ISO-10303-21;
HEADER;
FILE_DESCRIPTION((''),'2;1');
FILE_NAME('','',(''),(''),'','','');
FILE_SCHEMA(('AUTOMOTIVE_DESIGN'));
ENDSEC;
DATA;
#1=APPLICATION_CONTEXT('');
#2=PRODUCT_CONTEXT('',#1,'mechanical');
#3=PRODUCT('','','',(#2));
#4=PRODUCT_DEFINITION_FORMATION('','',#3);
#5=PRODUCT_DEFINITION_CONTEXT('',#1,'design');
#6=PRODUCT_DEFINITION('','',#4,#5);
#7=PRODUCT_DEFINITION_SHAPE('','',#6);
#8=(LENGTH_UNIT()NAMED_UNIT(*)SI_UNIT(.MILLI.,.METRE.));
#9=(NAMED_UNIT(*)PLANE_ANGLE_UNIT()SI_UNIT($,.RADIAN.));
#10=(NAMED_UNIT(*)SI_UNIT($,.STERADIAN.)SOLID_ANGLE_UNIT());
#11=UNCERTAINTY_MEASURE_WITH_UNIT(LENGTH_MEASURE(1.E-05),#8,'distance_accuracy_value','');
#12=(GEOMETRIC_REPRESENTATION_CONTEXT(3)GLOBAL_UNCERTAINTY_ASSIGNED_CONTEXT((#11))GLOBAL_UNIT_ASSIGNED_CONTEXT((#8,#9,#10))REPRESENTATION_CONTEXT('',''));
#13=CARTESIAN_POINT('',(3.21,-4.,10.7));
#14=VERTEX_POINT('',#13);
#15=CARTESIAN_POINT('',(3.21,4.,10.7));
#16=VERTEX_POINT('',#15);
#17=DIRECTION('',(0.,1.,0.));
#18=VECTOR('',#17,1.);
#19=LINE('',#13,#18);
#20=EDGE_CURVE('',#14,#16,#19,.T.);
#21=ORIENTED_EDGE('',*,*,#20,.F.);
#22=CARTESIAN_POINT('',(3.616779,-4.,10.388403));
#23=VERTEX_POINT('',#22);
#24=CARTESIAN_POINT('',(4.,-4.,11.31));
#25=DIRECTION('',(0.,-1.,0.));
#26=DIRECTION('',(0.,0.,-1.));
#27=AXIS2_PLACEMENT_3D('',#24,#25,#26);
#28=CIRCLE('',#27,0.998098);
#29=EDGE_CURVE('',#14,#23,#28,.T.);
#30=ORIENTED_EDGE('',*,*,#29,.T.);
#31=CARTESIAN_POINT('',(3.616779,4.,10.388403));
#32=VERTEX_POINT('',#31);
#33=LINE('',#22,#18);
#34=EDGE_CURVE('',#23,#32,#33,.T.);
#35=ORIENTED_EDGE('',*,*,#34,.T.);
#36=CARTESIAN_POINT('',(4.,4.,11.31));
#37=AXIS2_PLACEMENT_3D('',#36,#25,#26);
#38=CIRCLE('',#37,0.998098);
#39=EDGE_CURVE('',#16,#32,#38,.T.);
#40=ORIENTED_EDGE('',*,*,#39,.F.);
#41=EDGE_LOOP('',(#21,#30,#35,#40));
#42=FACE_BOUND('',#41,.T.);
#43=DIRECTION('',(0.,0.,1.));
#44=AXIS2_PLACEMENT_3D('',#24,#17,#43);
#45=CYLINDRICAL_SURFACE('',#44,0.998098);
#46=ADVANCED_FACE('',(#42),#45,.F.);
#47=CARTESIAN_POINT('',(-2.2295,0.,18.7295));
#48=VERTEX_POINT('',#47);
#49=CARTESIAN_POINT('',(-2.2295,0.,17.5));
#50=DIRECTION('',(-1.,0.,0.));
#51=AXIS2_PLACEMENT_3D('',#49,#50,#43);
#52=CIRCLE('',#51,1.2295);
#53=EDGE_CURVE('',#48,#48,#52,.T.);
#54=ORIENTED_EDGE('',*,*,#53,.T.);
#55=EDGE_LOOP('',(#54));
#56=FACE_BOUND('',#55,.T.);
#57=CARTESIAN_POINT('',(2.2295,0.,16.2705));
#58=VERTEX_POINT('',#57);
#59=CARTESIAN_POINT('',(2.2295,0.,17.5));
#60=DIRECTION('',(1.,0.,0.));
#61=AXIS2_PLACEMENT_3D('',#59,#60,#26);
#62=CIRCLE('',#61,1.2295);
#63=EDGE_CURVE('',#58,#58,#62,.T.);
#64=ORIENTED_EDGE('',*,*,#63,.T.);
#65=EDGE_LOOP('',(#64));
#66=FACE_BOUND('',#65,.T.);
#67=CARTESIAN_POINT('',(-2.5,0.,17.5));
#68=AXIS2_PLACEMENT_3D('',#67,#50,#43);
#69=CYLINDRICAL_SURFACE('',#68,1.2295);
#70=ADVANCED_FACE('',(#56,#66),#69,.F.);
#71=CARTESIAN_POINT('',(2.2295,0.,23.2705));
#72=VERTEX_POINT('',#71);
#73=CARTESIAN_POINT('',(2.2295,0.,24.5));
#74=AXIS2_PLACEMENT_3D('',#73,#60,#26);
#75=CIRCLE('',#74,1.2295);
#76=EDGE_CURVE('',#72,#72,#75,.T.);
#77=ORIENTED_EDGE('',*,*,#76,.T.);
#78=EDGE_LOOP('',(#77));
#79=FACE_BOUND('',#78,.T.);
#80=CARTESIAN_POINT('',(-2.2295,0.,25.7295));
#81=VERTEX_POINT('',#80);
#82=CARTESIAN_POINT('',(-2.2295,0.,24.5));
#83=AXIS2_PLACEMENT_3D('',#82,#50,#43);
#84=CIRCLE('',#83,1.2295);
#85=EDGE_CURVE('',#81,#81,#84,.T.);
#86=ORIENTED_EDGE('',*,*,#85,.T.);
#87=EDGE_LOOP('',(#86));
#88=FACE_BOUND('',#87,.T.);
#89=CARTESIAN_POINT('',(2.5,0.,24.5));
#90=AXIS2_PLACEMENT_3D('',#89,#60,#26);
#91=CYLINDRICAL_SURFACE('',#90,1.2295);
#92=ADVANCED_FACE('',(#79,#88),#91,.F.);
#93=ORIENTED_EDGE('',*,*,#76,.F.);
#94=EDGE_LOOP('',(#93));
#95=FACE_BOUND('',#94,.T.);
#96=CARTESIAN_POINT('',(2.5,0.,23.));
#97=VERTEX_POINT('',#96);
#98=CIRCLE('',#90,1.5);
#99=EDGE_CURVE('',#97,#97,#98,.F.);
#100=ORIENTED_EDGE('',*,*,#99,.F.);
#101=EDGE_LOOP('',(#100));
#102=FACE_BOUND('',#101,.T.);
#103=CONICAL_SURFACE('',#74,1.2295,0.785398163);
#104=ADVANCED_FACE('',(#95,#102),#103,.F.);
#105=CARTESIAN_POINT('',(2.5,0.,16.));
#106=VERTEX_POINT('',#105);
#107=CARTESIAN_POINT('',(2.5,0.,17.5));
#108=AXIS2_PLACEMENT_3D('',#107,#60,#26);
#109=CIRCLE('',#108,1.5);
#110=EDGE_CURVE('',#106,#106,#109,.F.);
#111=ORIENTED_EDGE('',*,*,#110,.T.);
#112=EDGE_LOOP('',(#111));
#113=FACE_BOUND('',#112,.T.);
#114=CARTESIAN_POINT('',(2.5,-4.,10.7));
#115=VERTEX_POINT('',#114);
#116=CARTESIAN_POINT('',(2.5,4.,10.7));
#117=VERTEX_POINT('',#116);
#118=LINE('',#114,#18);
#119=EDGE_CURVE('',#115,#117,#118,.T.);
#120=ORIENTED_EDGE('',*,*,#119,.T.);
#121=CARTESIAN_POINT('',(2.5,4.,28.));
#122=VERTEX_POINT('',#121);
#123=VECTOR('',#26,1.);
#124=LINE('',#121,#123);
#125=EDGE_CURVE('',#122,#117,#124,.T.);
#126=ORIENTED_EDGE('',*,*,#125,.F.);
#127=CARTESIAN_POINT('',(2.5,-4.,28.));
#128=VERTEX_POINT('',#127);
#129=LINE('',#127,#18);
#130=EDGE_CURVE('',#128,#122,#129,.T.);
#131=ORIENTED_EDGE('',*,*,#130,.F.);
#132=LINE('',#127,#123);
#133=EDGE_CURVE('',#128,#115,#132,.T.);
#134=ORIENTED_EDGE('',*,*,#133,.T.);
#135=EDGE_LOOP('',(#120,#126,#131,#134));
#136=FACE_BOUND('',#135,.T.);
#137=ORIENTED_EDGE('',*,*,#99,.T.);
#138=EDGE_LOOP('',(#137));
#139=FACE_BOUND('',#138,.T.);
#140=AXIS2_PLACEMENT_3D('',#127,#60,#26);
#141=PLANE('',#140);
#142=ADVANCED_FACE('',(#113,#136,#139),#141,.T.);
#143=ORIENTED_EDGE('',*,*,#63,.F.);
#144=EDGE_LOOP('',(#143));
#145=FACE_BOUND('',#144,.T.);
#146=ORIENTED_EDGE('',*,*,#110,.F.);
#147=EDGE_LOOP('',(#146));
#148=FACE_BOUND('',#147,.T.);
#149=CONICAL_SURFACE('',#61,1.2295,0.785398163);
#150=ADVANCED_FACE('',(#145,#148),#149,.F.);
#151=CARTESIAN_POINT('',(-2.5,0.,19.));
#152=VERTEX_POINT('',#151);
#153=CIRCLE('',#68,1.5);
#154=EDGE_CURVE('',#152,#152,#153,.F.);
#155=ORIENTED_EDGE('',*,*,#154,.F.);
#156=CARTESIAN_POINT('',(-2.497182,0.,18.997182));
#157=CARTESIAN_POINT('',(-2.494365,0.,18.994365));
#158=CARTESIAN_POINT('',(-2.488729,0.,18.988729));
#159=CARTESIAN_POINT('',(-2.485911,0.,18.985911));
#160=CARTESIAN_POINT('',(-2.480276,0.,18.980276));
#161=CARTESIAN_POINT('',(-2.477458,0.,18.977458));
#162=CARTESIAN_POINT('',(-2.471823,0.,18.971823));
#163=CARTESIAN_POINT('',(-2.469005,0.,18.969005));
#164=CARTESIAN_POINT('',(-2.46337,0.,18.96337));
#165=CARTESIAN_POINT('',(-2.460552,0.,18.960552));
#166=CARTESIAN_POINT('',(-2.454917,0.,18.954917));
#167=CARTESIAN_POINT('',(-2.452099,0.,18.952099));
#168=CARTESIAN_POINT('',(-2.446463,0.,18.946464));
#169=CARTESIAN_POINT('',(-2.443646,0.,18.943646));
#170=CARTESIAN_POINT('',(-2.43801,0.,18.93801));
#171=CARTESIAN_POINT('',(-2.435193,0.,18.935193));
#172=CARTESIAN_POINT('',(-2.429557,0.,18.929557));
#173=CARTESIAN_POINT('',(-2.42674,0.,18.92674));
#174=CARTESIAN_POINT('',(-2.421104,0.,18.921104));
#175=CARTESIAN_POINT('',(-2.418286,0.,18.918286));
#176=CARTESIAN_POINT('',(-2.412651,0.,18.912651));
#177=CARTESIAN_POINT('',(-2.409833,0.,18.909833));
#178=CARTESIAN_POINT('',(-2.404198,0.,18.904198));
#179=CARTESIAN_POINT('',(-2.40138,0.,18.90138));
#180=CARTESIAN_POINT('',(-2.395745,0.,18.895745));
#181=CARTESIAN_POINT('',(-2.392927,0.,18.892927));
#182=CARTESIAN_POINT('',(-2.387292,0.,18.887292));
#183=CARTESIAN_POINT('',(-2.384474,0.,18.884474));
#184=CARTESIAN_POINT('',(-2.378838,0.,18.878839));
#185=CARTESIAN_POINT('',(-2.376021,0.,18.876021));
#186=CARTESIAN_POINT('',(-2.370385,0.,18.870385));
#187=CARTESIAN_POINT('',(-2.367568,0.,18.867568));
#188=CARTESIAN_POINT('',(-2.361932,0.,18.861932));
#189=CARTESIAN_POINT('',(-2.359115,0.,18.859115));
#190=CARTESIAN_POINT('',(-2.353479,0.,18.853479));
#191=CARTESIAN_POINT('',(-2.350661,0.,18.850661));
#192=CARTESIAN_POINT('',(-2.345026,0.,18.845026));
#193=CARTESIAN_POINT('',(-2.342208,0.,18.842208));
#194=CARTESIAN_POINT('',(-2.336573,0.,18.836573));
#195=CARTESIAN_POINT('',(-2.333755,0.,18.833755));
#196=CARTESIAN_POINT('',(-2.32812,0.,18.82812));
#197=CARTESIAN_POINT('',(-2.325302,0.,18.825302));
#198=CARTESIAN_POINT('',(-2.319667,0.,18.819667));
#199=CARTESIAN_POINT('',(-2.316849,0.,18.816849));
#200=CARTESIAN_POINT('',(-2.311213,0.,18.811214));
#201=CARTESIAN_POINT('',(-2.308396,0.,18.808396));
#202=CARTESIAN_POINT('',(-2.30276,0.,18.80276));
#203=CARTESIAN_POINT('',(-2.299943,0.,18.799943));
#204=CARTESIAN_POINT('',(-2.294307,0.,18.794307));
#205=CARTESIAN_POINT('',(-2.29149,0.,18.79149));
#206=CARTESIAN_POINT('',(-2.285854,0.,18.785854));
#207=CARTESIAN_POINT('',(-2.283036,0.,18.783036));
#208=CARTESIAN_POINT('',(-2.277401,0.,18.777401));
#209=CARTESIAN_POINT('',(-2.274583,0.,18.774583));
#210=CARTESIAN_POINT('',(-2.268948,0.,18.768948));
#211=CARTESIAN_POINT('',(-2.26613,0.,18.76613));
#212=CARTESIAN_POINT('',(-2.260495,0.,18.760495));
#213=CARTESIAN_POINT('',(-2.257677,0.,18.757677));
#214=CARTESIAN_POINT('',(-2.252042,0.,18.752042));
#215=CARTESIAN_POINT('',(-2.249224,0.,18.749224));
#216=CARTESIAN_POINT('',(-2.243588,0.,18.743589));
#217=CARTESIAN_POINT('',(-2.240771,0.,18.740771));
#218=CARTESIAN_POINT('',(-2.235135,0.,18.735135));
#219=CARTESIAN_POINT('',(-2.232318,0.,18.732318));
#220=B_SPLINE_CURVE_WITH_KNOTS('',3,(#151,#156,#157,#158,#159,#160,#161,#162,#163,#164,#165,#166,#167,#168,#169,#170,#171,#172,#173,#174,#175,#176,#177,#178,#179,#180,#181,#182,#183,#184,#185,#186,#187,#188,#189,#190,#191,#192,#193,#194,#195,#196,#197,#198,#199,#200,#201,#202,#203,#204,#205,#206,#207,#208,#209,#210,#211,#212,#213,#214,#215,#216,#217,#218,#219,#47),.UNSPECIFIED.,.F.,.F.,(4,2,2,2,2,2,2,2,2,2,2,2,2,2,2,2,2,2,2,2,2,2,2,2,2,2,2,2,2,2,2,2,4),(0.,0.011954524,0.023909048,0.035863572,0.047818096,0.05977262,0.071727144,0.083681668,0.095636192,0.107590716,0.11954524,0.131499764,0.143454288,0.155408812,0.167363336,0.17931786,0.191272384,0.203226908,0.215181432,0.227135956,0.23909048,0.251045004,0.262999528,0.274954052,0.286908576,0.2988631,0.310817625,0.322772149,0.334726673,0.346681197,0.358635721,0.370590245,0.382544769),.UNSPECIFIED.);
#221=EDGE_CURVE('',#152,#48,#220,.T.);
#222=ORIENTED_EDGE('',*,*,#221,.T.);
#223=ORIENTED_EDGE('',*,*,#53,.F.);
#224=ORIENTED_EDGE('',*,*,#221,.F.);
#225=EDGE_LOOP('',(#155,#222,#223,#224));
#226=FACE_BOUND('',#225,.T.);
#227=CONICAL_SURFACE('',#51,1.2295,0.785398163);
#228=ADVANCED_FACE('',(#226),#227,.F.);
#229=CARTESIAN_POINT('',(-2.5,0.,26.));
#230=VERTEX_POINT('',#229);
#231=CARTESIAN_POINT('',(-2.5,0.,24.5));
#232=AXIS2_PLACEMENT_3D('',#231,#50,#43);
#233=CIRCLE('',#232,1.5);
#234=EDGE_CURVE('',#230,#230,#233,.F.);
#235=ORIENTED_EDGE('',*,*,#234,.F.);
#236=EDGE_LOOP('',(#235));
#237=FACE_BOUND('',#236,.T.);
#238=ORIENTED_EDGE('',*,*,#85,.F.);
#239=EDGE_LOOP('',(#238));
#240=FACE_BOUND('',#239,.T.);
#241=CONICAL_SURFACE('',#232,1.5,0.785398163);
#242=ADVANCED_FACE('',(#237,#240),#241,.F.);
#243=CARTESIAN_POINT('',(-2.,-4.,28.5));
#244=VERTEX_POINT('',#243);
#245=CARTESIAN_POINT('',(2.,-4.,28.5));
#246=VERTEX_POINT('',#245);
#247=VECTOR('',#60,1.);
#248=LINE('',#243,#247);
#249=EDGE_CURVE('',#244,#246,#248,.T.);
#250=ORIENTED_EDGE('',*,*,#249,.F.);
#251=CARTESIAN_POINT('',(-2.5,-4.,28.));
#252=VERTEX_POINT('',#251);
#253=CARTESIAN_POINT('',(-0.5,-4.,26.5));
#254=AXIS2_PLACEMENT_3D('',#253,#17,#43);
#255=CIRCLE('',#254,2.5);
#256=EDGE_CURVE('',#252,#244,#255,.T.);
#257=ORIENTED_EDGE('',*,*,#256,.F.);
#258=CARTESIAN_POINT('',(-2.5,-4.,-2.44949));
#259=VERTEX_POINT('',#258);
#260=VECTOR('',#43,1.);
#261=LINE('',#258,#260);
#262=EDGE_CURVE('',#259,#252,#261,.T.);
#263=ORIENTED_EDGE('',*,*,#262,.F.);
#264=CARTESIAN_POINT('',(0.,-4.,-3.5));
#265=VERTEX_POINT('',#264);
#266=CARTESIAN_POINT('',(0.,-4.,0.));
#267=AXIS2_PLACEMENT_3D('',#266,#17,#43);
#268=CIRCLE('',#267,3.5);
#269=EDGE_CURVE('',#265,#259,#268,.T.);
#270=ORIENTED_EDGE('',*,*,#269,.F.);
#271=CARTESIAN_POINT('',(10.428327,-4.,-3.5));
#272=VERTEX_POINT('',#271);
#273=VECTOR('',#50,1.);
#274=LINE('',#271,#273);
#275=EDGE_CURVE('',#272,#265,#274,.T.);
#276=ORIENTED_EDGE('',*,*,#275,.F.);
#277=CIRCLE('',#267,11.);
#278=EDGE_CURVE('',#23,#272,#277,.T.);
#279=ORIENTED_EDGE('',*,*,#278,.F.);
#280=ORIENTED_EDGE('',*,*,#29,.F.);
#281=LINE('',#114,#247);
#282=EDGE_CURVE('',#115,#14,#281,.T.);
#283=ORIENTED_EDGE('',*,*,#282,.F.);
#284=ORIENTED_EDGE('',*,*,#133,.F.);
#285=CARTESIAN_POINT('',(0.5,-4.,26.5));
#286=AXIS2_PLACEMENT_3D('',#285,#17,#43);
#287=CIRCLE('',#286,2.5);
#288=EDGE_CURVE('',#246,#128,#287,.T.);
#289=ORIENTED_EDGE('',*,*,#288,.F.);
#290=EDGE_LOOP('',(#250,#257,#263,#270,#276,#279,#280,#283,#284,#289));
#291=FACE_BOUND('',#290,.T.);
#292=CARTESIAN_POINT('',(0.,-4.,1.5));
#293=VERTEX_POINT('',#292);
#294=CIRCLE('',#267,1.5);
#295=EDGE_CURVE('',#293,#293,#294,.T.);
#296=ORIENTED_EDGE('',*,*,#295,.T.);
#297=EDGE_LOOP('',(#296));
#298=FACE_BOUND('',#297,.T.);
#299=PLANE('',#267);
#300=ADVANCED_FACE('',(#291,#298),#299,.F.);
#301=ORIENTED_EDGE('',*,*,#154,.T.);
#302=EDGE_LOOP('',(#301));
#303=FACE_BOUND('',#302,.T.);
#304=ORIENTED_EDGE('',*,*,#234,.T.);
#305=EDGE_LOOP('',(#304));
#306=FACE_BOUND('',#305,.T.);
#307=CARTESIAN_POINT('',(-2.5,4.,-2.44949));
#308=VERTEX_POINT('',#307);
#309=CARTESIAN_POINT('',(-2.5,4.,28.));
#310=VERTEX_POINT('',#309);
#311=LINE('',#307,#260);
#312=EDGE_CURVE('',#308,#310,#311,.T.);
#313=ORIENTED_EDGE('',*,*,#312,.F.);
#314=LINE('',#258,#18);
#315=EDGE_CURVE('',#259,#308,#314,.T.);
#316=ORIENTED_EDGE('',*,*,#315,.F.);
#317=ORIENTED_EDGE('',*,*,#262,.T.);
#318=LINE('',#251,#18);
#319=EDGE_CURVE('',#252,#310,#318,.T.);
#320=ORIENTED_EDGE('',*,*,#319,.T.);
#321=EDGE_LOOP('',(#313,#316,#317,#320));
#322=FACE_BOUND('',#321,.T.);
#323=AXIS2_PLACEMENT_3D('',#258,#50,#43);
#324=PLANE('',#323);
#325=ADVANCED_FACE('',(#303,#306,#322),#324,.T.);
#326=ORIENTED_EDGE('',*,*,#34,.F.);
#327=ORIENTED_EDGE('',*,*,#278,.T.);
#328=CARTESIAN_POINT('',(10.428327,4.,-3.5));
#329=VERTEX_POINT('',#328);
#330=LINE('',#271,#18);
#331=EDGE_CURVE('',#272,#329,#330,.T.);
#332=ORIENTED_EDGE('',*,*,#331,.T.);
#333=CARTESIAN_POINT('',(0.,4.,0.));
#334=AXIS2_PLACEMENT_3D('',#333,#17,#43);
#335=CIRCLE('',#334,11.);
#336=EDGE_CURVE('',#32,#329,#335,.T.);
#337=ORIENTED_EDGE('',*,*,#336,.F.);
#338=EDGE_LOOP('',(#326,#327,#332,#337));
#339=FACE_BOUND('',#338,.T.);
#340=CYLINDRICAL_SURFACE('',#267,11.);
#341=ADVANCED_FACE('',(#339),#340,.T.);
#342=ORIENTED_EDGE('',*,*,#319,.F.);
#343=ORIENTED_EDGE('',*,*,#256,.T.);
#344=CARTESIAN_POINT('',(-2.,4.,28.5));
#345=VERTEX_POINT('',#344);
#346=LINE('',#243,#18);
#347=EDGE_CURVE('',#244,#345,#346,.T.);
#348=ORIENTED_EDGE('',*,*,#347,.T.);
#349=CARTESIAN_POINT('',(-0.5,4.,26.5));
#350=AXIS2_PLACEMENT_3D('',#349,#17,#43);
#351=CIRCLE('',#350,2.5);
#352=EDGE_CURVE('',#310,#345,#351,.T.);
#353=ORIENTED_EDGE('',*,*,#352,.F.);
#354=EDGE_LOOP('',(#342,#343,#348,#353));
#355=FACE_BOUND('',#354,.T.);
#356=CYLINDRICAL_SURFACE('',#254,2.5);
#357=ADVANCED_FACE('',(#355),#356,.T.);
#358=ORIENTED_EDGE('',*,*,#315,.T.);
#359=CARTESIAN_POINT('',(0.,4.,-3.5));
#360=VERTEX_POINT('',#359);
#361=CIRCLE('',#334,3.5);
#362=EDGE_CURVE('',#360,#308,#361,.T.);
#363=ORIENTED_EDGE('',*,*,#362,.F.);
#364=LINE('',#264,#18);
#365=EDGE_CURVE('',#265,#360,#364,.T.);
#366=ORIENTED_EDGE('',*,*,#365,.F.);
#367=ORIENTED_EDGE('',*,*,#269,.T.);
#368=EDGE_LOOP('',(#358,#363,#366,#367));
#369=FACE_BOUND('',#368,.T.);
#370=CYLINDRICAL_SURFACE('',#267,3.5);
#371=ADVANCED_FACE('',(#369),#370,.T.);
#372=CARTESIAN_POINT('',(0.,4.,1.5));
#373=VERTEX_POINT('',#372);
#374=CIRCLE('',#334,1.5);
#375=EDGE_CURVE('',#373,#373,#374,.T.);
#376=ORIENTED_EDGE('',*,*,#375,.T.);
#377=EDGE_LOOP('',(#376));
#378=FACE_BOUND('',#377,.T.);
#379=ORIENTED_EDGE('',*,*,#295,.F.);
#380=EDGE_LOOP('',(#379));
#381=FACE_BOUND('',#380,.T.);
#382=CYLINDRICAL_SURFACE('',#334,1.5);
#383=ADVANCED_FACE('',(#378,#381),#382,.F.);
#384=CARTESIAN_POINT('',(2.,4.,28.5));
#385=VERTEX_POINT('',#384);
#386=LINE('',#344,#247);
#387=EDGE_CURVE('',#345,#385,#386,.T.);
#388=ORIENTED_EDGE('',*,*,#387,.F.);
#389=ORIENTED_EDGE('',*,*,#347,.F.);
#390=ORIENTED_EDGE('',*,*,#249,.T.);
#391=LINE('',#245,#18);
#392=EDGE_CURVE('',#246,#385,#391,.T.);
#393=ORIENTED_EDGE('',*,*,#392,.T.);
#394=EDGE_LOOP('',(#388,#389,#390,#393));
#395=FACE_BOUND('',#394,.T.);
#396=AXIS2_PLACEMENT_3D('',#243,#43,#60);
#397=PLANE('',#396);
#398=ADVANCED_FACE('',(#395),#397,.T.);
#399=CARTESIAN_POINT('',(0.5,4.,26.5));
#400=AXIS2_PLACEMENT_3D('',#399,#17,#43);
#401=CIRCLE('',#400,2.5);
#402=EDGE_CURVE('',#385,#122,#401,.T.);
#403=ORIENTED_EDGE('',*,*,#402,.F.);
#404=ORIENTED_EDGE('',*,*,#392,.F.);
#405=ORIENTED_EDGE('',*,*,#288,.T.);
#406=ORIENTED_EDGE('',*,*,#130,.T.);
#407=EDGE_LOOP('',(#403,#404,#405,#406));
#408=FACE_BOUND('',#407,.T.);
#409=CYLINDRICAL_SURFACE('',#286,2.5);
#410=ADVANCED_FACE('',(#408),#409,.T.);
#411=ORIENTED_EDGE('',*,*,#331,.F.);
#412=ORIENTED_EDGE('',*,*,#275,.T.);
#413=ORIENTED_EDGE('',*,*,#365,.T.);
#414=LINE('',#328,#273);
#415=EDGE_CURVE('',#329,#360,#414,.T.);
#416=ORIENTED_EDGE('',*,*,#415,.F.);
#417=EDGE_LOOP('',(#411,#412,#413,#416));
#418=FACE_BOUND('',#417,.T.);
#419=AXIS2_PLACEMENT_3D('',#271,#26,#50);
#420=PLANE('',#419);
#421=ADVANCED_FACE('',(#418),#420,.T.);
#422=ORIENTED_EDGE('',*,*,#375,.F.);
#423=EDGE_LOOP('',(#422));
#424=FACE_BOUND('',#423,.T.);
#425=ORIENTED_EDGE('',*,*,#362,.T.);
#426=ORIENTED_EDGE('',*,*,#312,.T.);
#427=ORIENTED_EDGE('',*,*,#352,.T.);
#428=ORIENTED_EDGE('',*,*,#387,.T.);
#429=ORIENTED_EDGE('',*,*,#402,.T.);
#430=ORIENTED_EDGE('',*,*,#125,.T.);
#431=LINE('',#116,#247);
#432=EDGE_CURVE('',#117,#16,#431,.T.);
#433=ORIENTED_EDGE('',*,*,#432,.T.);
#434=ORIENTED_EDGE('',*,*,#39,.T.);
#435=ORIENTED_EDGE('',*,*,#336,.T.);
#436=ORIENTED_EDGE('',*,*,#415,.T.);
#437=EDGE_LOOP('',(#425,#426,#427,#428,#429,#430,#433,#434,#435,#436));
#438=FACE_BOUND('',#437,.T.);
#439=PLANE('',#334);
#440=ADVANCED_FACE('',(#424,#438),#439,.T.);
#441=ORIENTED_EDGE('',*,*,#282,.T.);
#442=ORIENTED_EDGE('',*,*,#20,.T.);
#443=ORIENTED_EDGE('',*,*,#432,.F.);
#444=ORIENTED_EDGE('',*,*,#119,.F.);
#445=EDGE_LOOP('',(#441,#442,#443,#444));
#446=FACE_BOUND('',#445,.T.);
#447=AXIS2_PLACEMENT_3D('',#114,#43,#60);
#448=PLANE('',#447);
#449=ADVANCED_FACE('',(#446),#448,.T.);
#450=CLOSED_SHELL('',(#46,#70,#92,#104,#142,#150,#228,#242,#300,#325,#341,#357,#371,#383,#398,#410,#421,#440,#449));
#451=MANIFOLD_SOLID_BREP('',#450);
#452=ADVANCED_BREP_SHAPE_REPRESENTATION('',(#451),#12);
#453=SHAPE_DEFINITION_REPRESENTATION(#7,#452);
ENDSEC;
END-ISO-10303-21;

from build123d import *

# Parameters (mm, degrees)
EXTRUDE_1_DEPTH        = 8
HOLE_WIZARD_M2_1_D     = 2.459
HOLE_WIZARD_M2_1_DEPTH = 13.499999938
HOLE_WIZARD_M2_2_D     = 2.459
HOLE_WIZARD_3_0_3_1_D  = 3
CHAMFER_1_SIZE         = 0.2705


with BuildPart() as part:
    # 草图1 → 凸台-拉伸1 (new body)
    with BuildSketch(Plane(origin=(0, 4, 0), x_dir=(1, 0, 0), z_dir=(0, 1, 0))):
        with BuildLine():
            Line((-2.499999938, 2.449489682), (-2.499999938, -28.00000006))
            ThreePointArc((-2.499999938, -28.00000006), (-2.267766887, -28.267767018), (-1.999999928, -28.500000068))
            Line((-1.999999928, -28.500000068), (2.000000062, -28.500000068))
            ThreePointArc((2.000000062, -28.500000068), (2.267767019, -28.267767016), (2.500000069, -28.000000058))
            Line((2.500000069, -28.000000058), (2.500000069, -10.7))
            Line((2.500000069, -10.7), (3.21, -10.7))
            ThreePointArc((3.21, -10.7), (3.393052661, -10.517652269), (3.616779061, -10.388402631))
            ThreePointArc((3.616779061, -10.388402631), (9.876142021, -4.843740163), (10.428326836, 3.499999914))
            Line((10.428326836, 3.499999914), (0, 3.499999914))
            ThreePointArc((0, 3.499999914), (-1.355873467, 3.226702114), (-2.499999938, 2.449489682))
        make_face()
    extrude(amount=-EXTRUDE_1_DEPTH)

    # M2 间隙孔1
    with Locations(Plane.ZY.offset(2.499999938)):
        with Locations((17.5, 0)):
            Hole(HOLE_WIZARD_M2_1_D / 2, depth=HOLE_WIZARD_M2_1_DEPTH)

    # M2 间隙孔2 (through all)
    with Locations(Plane(origin=(2.500000069, 0, 0), x_dir=(0, 0, -1), z_dir=(1, 0, 0))):
        with Locations((-24.500000001, 0)):
            Hole(HOLE_WIZARD_M2_2_D / 2)

    # Ø3.0 (3) 直径孔1 (through all)
    with Locations(Plane(origin=(0, 4, 0), x_dir=(1, 0, 0), z_dir=(0, 1, 0))):
        with Locations((0, 0)):
            Hole(HOLE_WIZARD_3_0_3_1_D / 2)

    # 倒角1
    chamfer_1_edges = [part.edges().sort_by_distance(p)[0] for p in [
        (2.500000069, 0, 18.7295),
        (-2.499999938, 0, 18.7295),
        (2.500000069, 0, 23.270500001),
        (-2.499999938, 0, 23.270500001),
    ]]
    chamfer(chamfer_1_edges, length=CHAMFER_1_SIZE)


solid = part.part
